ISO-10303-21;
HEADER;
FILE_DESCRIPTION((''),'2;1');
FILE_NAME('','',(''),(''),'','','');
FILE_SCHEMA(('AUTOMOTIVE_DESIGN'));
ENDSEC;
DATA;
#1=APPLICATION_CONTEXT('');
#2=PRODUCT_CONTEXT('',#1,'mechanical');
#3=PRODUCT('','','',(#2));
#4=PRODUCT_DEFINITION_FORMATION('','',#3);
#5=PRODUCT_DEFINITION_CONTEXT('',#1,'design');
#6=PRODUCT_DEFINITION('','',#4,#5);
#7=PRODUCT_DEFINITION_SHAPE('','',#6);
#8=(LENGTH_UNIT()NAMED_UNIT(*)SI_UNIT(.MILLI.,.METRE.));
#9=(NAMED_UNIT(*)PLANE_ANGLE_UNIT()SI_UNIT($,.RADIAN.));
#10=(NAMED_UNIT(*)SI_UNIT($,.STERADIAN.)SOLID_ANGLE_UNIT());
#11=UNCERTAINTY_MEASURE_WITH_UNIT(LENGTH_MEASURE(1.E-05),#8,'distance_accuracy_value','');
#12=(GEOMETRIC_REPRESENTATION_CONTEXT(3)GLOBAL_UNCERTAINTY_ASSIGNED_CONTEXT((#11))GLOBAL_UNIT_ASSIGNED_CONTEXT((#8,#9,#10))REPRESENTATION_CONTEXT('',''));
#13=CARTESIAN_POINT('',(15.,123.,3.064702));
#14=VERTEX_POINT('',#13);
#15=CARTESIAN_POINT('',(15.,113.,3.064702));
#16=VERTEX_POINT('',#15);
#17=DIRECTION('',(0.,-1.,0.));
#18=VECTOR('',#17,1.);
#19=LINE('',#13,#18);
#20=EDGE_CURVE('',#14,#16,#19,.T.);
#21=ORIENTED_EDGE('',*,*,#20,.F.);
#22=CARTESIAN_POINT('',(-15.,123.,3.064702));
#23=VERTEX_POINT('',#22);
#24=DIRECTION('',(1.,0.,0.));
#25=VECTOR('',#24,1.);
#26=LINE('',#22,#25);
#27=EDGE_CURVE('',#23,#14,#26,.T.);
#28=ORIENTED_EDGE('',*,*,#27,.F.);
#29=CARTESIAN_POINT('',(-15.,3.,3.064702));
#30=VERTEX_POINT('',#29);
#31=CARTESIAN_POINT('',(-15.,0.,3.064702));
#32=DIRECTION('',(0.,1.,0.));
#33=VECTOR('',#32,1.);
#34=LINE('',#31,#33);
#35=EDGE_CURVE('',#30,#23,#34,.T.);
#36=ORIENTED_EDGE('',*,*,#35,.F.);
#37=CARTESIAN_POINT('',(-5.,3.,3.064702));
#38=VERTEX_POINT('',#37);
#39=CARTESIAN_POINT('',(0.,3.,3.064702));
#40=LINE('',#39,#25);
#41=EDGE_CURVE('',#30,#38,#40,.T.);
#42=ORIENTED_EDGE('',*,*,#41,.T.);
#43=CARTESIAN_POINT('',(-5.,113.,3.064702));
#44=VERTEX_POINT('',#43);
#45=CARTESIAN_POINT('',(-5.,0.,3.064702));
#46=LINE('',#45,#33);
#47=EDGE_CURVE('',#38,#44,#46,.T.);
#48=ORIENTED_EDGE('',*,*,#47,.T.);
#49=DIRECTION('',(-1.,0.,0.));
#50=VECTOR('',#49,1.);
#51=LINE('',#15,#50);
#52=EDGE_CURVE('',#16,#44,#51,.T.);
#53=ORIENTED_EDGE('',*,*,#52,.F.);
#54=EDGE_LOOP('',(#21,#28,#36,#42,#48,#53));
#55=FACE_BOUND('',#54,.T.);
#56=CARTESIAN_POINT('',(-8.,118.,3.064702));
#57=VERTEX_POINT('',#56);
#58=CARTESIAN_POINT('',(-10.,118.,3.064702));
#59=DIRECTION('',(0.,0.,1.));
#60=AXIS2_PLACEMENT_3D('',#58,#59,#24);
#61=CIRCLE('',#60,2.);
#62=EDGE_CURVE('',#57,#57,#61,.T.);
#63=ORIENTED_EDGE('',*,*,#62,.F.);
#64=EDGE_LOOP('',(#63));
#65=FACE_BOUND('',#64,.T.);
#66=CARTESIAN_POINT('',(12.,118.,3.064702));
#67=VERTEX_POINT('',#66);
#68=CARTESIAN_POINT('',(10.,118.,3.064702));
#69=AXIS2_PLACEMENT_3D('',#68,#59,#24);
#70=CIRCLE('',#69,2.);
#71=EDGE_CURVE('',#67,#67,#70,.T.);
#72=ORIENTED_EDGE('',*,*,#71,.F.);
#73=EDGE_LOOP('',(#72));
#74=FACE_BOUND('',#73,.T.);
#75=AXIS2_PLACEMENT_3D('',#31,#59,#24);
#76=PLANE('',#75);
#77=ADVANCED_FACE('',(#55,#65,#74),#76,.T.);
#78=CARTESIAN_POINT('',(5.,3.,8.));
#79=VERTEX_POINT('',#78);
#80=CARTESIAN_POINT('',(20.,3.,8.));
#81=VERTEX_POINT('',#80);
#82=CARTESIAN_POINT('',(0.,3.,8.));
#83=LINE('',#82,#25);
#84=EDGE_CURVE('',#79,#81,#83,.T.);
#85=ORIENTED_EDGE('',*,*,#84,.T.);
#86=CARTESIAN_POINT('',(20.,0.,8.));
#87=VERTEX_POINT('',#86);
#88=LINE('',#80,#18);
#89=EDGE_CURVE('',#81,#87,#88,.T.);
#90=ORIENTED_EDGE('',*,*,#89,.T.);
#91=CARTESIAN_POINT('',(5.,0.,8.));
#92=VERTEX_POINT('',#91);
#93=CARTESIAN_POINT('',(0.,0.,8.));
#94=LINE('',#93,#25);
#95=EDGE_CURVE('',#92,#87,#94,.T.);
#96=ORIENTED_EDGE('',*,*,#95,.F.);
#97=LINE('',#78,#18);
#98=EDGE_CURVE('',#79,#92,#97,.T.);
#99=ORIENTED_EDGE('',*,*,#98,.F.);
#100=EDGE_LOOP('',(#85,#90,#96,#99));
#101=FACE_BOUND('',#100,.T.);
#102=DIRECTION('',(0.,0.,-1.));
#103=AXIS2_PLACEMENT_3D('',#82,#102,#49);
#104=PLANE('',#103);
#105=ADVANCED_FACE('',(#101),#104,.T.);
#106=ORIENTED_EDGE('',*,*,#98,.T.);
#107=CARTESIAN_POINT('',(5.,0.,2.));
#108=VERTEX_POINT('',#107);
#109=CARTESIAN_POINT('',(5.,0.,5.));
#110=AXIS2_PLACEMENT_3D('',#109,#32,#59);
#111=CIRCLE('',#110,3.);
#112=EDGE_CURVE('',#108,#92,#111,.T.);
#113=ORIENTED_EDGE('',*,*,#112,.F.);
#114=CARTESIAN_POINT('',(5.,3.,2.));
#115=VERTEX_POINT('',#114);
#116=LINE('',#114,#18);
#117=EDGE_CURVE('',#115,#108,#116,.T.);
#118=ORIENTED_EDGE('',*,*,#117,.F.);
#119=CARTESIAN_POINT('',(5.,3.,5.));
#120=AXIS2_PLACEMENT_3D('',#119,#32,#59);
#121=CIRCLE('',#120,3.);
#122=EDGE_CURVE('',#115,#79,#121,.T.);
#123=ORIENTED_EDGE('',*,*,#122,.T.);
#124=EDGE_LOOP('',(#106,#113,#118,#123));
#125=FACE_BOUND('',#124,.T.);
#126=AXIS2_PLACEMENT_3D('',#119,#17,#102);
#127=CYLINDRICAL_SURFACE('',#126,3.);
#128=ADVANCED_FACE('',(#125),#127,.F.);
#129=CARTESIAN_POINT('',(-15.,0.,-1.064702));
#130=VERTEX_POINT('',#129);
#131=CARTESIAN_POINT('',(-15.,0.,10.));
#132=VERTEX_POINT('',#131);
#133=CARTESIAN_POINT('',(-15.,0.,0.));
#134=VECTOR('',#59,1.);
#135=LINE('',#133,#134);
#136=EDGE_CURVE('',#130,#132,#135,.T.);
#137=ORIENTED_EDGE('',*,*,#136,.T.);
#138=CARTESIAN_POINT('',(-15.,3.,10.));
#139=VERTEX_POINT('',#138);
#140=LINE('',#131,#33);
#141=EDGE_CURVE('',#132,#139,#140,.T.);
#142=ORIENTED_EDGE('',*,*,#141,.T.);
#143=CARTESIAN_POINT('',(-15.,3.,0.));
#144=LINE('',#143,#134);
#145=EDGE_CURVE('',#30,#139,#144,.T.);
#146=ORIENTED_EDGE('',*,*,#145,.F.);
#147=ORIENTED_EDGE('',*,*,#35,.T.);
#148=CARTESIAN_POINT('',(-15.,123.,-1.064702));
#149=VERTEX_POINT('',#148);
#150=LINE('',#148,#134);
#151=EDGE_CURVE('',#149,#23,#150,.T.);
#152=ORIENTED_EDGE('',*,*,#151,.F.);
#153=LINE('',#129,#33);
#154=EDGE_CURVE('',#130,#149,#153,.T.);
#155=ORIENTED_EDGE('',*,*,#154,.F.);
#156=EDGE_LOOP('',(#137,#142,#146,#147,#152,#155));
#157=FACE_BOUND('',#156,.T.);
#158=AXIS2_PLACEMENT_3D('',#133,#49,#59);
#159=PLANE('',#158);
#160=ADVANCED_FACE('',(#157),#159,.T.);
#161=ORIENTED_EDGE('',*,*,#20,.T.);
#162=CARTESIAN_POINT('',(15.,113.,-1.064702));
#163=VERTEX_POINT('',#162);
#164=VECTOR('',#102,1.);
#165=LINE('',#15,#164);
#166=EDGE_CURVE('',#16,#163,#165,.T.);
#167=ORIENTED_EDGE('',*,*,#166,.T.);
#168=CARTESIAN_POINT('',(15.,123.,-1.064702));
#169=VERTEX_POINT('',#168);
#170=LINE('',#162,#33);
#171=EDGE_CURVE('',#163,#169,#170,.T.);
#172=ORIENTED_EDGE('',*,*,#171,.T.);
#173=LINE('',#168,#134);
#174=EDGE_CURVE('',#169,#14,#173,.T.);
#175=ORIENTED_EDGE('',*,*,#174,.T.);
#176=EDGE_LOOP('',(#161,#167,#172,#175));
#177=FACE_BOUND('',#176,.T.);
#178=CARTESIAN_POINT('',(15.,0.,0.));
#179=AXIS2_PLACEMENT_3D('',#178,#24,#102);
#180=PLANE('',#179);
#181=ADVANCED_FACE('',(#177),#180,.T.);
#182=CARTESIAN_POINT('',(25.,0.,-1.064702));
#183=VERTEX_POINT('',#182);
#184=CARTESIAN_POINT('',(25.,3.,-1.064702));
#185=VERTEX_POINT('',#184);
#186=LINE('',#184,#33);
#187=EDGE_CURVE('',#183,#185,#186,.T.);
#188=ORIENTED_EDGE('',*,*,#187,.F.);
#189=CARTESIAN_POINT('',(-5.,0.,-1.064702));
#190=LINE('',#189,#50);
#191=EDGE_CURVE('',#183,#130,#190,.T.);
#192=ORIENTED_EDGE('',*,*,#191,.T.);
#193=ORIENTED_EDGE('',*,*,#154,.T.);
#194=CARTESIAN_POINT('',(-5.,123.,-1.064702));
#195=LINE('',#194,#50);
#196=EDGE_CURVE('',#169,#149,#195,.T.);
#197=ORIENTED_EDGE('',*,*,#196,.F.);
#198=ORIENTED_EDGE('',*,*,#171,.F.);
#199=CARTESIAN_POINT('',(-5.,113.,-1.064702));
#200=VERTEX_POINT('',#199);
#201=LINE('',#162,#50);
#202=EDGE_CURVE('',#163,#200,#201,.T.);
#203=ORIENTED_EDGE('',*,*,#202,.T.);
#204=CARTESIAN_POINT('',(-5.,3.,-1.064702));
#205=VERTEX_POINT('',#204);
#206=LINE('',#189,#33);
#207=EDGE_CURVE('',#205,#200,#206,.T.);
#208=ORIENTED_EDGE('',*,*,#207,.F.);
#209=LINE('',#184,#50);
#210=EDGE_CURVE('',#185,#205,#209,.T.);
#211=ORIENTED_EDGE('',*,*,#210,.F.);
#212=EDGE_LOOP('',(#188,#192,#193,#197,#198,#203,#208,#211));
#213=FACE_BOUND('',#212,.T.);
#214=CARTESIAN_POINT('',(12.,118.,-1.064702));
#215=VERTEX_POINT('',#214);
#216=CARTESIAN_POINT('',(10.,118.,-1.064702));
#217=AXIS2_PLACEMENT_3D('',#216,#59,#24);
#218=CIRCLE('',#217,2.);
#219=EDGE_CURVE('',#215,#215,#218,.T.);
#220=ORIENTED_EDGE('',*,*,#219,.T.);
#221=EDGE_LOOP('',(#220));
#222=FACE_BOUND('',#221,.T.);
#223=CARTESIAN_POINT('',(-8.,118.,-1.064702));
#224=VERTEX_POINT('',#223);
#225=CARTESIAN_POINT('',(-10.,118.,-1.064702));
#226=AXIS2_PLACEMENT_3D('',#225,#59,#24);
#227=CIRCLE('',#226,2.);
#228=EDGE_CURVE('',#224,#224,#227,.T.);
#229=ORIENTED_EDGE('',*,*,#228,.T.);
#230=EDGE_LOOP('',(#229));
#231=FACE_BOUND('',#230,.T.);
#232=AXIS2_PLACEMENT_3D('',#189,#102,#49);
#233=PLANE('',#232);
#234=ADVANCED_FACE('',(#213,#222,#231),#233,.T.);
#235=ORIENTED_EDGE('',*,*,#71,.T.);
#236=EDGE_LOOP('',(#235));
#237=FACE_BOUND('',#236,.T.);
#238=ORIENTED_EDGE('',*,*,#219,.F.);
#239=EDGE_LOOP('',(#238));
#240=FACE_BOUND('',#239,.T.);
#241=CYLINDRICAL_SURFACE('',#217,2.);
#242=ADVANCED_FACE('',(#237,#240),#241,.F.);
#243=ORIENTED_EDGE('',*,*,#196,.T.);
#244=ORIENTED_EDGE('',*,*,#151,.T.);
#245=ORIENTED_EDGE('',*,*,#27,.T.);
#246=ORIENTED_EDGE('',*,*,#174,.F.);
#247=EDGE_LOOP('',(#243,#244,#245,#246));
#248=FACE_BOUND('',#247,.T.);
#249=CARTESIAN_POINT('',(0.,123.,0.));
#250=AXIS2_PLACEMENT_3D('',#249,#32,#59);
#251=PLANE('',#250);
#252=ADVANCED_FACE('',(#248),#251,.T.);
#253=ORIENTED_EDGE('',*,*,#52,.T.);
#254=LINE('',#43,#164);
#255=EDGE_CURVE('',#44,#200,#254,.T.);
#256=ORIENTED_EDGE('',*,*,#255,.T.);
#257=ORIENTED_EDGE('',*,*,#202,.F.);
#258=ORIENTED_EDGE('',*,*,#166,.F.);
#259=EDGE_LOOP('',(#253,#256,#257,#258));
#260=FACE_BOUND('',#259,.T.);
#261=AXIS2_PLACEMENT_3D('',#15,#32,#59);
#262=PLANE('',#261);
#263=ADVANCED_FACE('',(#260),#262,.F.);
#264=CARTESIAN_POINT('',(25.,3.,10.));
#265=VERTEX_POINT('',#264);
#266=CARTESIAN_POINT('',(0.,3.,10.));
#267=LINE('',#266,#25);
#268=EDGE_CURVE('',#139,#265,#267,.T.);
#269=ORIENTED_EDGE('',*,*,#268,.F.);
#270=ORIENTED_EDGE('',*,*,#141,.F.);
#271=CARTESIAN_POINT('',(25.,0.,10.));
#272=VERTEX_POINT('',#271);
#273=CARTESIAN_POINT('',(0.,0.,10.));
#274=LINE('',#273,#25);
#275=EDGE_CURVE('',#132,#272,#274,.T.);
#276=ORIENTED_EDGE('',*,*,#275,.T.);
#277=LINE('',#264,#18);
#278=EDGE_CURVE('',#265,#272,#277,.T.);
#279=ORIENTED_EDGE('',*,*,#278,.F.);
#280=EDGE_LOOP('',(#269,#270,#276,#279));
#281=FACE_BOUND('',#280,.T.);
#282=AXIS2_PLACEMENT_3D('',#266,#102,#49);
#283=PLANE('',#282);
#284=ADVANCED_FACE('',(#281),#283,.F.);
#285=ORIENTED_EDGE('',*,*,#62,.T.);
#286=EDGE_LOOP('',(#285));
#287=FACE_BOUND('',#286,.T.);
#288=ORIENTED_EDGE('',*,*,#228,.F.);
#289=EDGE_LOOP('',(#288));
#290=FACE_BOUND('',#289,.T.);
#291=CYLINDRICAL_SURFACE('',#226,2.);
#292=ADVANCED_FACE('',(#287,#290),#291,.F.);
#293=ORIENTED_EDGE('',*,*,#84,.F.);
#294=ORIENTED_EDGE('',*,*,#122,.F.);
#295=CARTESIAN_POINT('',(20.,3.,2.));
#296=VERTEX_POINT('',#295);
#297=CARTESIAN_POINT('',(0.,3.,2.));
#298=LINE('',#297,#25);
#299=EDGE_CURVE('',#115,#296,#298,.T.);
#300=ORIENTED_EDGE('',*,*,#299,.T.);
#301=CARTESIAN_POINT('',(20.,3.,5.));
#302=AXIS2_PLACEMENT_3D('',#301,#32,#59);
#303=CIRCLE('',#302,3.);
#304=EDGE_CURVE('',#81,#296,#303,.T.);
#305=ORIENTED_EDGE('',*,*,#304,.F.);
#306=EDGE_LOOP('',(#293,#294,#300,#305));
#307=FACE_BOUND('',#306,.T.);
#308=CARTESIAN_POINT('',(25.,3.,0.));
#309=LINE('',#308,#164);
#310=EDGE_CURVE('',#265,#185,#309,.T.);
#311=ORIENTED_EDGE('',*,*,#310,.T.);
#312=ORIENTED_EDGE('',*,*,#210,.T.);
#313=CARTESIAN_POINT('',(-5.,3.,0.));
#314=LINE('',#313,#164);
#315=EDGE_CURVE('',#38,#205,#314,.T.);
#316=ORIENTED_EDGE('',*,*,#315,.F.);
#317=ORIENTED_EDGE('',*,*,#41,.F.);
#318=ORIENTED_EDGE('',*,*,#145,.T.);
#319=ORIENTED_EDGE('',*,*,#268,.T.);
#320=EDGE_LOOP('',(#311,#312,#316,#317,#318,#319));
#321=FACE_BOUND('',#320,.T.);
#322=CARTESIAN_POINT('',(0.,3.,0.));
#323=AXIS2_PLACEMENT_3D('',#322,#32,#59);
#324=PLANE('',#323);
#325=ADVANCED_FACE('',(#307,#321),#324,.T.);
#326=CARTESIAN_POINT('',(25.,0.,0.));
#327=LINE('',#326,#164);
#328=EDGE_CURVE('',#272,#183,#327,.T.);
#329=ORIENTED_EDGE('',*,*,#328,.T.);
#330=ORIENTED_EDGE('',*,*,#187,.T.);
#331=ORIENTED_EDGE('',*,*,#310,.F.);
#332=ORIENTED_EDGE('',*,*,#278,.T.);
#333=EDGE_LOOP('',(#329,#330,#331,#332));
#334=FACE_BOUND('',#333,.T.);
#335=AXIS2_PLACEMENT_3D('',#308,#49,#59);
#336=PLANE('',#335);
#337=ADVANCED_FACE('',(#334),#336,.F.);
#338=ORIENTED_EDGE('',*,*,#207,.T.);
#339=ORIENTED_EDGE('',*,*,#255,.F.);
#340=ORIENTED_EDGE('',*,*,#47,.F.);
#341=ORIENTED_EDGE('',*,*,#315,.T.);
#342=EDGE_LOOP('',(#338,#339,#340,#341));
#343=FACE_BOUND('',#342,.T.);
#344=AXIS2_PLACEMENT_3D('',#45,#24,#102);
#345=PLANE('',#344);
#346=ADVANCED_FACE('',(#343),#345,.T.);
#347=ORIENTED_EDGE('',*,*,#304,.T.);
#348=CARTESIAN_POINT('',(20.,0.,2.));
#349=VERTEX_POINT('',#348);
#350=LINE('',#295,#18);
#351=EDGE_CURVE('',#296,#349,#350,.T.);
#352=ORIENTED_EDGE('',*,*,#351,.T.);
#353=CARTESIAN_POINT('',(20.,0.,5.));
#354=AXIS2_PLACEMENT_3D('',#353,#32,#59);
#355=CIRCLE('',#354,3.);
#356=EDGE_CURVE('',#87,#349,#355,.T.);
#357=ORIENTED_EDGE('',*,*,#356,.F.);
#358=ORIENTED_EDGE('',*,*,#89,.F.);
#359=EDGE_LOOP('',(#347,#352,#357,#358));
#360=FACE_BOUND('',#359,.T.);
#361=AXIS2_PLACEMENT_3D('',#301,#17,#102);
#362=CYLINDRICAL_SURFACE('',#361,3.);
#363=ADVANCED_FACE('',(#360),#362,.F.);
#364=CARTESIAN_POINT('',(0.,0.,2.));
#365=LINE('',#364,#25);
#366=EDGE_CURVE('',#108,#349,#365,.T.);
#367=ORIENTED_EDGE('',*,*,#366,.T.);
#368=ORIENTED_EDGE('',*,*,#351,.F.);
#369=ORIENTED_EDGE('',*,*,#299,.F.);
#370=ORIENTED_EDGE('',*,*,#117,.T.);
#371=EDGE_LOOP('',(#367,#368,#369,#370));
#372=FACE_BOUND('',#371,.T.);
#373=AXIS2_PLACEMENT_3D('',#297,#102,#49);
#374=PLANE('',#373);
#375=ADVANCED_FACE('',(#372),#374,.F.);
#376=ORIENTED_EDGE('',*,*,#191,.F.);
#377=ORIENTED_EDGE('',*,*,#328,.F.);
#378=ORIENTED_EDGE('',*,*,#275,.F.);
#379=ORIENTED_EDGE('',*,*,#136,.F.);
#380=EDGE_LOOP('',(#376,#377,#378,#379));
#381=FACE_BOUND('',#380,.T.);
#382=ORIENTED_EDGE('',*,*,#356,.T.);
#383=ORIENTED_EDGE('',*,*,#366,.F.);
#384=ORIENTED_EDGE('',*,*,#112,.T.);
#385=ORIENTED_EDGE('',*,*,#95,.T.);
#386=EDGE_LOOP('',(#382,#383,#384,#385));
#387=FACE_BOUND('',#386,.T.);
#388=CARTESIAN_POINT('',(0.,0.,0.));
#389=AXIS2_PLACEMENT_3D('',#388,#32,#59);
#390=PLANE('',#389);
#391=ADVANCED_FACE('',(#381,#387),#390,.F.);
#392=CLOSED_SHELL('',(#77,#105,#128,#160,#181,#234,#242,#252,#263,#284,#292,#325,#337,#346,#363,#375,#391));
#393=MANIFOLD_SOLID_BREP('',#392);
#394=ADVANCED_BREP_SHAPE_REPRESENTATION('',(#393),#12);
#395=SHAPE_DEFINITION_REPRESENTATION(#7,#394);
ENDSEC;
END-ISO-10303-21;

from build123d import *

# Parameters (mm, degrees)
EXTRUDE_1_DEPTH      = 3
SKETCH_4_W           = 15
SKETCH_4_H           = 10
EXTRUDE_3_DEPTH      = 3
SKETCH_5_W           = 10
SKETCH_5_H           = 4.129403984
EXTRUDE_4_DEPTH      = 120
EXTRUDE_4_DEPTH_BACK = 3
SKETCH_6_R           = 2
CUT_EXTRUDE_2_DEPTH  = 5.129403983
SKETCH_7_W           = 1.064701992
SKETCH_7_H           = 3
EXTRUDE_5_DEPTH      = 30
SKETCH_8_W           = 4.129403984
SKETCH_8_H           = 10
EXTRUDE_6_DEPTH      = 20
SKETCH_9_R           = 2
CUT_EXTRUDE_3_DEPTH  = 5.129403983


with BuildPart() as part:
    # 草图1 → 凸台-拉伸1 (new body)
    with BuildSketch(Plane(origin=(0, 0, 0), x_dir=(1, 0, 0), z_dir=(0, 1, 0))):
        with BuildLine():
            Line((25, 0), (0, 0))
            Line((0, 0), (0, -5))
            Line((0, -5), (2, -5))
            ThreePointArc((2, -5), (2.878679656, -2.878679656), (5, -2))
            Line((5, -2), (20, -2))
            ThreePointArc((20, -2), (22.121320344, -2.878679656), (23, -5))
            Line((23, -5), (25, -5))
            Line((25, -5), (25, 0))
        make_face()
        with BuildLine():
            Line((2, -5), (0, -5))
            Line((0, -5), (0, -10))
            Line((0, -10), (25, -10))
            Line((25, -10), (25, -5))
            Line((25, -5), (23, -5))
            ThreePointArc((23, -5), (22.121320344, -7.121320344), (20, -8))
            Line((20, -8), (5, -8))
            ThreePointArc((5, -8), (2.878679656, -7.121320344), (2, -5))
        make_face()
    extrude(amount=EXTRUDE_1_DEPTH)

    # 草图4 → 凸台-拉伸3 (add)
    with BuildSketch(Plane(origin=(0, 3, 0), x_dir=(1, 0, 0), z_dir=(0, 1, 0))):
        with Locations((-7.5, -5)):
            Rectangle(SKETCH_4_W, SKETCH_4_H)
    extrude(amount=-EXTRUDE_3_DEPTH)

    # 草图5 → 凸台-拉伸4 (add, two sides)
    with BuildSketch(Plane(origin=(0, 3, 0), x_dir=(1, 0, 0), z_dir=(0, 1, 0))) as extrude_4_sk:
        with Locations((-10, -1)):
            Rectangle(SKETCH_5_W, SKETCH_5_H)
    extrude(amount=EXTRUDE_4_DEPTH)
    extrude(extrude_4_sk.sketch, amount=-EXTRUDE_4_DEPTH_BACK)

    # 草图6 → 切除-拉伸2 (cut, through all)
    with BuildSketch(Plane.XY.offset(3.064701992)):
        with Locations((-10, 118)):
            Circle(SKETCH_6_R)
    extrude(amount=-CUT_EXTRUDE_2_DEPTH, mode=Mode.SUBTRACT)

    # 草图7 → 凸台-拉伸5 (add, through all)
    with BuildSketch(Plane(origin=(-5, 0, 0), x_dir=(0, 0, -1), z_dir=(1, 0, 0))):
        with Locations((0.532350996, 1.5)):
            Rectangle(SKETCH_7_W, SKETCH_7_H)
    extrude(amount=EXTRUDE_5_DEPTH)

    # 草图8 → 凸台-拉伸6 (add)
    with BuildSketch(Plane(origin=(-5, 0, 0), x_dir=(0, 0, -1), z_dir=(1, 0, 0))):
        with Locations((-1, 118)):
            Rectangle(SKETCH_8_W, SKETCH_8_H)
    extrude(amount=EXTRUDE_6_DEPTH)

    # 草图9 → 切除-拉伸3 (cut, through all)
    with BuildSketch(Plane.XY.offset(3.064701992)):
        with Locations((10, 118)):
            Circle(SKETCH_9_R)
    extrude(amount=-CUT_EXTRUDE_3_DEPTH, mode=Mode.SUBTRACT)


solid = part.part
